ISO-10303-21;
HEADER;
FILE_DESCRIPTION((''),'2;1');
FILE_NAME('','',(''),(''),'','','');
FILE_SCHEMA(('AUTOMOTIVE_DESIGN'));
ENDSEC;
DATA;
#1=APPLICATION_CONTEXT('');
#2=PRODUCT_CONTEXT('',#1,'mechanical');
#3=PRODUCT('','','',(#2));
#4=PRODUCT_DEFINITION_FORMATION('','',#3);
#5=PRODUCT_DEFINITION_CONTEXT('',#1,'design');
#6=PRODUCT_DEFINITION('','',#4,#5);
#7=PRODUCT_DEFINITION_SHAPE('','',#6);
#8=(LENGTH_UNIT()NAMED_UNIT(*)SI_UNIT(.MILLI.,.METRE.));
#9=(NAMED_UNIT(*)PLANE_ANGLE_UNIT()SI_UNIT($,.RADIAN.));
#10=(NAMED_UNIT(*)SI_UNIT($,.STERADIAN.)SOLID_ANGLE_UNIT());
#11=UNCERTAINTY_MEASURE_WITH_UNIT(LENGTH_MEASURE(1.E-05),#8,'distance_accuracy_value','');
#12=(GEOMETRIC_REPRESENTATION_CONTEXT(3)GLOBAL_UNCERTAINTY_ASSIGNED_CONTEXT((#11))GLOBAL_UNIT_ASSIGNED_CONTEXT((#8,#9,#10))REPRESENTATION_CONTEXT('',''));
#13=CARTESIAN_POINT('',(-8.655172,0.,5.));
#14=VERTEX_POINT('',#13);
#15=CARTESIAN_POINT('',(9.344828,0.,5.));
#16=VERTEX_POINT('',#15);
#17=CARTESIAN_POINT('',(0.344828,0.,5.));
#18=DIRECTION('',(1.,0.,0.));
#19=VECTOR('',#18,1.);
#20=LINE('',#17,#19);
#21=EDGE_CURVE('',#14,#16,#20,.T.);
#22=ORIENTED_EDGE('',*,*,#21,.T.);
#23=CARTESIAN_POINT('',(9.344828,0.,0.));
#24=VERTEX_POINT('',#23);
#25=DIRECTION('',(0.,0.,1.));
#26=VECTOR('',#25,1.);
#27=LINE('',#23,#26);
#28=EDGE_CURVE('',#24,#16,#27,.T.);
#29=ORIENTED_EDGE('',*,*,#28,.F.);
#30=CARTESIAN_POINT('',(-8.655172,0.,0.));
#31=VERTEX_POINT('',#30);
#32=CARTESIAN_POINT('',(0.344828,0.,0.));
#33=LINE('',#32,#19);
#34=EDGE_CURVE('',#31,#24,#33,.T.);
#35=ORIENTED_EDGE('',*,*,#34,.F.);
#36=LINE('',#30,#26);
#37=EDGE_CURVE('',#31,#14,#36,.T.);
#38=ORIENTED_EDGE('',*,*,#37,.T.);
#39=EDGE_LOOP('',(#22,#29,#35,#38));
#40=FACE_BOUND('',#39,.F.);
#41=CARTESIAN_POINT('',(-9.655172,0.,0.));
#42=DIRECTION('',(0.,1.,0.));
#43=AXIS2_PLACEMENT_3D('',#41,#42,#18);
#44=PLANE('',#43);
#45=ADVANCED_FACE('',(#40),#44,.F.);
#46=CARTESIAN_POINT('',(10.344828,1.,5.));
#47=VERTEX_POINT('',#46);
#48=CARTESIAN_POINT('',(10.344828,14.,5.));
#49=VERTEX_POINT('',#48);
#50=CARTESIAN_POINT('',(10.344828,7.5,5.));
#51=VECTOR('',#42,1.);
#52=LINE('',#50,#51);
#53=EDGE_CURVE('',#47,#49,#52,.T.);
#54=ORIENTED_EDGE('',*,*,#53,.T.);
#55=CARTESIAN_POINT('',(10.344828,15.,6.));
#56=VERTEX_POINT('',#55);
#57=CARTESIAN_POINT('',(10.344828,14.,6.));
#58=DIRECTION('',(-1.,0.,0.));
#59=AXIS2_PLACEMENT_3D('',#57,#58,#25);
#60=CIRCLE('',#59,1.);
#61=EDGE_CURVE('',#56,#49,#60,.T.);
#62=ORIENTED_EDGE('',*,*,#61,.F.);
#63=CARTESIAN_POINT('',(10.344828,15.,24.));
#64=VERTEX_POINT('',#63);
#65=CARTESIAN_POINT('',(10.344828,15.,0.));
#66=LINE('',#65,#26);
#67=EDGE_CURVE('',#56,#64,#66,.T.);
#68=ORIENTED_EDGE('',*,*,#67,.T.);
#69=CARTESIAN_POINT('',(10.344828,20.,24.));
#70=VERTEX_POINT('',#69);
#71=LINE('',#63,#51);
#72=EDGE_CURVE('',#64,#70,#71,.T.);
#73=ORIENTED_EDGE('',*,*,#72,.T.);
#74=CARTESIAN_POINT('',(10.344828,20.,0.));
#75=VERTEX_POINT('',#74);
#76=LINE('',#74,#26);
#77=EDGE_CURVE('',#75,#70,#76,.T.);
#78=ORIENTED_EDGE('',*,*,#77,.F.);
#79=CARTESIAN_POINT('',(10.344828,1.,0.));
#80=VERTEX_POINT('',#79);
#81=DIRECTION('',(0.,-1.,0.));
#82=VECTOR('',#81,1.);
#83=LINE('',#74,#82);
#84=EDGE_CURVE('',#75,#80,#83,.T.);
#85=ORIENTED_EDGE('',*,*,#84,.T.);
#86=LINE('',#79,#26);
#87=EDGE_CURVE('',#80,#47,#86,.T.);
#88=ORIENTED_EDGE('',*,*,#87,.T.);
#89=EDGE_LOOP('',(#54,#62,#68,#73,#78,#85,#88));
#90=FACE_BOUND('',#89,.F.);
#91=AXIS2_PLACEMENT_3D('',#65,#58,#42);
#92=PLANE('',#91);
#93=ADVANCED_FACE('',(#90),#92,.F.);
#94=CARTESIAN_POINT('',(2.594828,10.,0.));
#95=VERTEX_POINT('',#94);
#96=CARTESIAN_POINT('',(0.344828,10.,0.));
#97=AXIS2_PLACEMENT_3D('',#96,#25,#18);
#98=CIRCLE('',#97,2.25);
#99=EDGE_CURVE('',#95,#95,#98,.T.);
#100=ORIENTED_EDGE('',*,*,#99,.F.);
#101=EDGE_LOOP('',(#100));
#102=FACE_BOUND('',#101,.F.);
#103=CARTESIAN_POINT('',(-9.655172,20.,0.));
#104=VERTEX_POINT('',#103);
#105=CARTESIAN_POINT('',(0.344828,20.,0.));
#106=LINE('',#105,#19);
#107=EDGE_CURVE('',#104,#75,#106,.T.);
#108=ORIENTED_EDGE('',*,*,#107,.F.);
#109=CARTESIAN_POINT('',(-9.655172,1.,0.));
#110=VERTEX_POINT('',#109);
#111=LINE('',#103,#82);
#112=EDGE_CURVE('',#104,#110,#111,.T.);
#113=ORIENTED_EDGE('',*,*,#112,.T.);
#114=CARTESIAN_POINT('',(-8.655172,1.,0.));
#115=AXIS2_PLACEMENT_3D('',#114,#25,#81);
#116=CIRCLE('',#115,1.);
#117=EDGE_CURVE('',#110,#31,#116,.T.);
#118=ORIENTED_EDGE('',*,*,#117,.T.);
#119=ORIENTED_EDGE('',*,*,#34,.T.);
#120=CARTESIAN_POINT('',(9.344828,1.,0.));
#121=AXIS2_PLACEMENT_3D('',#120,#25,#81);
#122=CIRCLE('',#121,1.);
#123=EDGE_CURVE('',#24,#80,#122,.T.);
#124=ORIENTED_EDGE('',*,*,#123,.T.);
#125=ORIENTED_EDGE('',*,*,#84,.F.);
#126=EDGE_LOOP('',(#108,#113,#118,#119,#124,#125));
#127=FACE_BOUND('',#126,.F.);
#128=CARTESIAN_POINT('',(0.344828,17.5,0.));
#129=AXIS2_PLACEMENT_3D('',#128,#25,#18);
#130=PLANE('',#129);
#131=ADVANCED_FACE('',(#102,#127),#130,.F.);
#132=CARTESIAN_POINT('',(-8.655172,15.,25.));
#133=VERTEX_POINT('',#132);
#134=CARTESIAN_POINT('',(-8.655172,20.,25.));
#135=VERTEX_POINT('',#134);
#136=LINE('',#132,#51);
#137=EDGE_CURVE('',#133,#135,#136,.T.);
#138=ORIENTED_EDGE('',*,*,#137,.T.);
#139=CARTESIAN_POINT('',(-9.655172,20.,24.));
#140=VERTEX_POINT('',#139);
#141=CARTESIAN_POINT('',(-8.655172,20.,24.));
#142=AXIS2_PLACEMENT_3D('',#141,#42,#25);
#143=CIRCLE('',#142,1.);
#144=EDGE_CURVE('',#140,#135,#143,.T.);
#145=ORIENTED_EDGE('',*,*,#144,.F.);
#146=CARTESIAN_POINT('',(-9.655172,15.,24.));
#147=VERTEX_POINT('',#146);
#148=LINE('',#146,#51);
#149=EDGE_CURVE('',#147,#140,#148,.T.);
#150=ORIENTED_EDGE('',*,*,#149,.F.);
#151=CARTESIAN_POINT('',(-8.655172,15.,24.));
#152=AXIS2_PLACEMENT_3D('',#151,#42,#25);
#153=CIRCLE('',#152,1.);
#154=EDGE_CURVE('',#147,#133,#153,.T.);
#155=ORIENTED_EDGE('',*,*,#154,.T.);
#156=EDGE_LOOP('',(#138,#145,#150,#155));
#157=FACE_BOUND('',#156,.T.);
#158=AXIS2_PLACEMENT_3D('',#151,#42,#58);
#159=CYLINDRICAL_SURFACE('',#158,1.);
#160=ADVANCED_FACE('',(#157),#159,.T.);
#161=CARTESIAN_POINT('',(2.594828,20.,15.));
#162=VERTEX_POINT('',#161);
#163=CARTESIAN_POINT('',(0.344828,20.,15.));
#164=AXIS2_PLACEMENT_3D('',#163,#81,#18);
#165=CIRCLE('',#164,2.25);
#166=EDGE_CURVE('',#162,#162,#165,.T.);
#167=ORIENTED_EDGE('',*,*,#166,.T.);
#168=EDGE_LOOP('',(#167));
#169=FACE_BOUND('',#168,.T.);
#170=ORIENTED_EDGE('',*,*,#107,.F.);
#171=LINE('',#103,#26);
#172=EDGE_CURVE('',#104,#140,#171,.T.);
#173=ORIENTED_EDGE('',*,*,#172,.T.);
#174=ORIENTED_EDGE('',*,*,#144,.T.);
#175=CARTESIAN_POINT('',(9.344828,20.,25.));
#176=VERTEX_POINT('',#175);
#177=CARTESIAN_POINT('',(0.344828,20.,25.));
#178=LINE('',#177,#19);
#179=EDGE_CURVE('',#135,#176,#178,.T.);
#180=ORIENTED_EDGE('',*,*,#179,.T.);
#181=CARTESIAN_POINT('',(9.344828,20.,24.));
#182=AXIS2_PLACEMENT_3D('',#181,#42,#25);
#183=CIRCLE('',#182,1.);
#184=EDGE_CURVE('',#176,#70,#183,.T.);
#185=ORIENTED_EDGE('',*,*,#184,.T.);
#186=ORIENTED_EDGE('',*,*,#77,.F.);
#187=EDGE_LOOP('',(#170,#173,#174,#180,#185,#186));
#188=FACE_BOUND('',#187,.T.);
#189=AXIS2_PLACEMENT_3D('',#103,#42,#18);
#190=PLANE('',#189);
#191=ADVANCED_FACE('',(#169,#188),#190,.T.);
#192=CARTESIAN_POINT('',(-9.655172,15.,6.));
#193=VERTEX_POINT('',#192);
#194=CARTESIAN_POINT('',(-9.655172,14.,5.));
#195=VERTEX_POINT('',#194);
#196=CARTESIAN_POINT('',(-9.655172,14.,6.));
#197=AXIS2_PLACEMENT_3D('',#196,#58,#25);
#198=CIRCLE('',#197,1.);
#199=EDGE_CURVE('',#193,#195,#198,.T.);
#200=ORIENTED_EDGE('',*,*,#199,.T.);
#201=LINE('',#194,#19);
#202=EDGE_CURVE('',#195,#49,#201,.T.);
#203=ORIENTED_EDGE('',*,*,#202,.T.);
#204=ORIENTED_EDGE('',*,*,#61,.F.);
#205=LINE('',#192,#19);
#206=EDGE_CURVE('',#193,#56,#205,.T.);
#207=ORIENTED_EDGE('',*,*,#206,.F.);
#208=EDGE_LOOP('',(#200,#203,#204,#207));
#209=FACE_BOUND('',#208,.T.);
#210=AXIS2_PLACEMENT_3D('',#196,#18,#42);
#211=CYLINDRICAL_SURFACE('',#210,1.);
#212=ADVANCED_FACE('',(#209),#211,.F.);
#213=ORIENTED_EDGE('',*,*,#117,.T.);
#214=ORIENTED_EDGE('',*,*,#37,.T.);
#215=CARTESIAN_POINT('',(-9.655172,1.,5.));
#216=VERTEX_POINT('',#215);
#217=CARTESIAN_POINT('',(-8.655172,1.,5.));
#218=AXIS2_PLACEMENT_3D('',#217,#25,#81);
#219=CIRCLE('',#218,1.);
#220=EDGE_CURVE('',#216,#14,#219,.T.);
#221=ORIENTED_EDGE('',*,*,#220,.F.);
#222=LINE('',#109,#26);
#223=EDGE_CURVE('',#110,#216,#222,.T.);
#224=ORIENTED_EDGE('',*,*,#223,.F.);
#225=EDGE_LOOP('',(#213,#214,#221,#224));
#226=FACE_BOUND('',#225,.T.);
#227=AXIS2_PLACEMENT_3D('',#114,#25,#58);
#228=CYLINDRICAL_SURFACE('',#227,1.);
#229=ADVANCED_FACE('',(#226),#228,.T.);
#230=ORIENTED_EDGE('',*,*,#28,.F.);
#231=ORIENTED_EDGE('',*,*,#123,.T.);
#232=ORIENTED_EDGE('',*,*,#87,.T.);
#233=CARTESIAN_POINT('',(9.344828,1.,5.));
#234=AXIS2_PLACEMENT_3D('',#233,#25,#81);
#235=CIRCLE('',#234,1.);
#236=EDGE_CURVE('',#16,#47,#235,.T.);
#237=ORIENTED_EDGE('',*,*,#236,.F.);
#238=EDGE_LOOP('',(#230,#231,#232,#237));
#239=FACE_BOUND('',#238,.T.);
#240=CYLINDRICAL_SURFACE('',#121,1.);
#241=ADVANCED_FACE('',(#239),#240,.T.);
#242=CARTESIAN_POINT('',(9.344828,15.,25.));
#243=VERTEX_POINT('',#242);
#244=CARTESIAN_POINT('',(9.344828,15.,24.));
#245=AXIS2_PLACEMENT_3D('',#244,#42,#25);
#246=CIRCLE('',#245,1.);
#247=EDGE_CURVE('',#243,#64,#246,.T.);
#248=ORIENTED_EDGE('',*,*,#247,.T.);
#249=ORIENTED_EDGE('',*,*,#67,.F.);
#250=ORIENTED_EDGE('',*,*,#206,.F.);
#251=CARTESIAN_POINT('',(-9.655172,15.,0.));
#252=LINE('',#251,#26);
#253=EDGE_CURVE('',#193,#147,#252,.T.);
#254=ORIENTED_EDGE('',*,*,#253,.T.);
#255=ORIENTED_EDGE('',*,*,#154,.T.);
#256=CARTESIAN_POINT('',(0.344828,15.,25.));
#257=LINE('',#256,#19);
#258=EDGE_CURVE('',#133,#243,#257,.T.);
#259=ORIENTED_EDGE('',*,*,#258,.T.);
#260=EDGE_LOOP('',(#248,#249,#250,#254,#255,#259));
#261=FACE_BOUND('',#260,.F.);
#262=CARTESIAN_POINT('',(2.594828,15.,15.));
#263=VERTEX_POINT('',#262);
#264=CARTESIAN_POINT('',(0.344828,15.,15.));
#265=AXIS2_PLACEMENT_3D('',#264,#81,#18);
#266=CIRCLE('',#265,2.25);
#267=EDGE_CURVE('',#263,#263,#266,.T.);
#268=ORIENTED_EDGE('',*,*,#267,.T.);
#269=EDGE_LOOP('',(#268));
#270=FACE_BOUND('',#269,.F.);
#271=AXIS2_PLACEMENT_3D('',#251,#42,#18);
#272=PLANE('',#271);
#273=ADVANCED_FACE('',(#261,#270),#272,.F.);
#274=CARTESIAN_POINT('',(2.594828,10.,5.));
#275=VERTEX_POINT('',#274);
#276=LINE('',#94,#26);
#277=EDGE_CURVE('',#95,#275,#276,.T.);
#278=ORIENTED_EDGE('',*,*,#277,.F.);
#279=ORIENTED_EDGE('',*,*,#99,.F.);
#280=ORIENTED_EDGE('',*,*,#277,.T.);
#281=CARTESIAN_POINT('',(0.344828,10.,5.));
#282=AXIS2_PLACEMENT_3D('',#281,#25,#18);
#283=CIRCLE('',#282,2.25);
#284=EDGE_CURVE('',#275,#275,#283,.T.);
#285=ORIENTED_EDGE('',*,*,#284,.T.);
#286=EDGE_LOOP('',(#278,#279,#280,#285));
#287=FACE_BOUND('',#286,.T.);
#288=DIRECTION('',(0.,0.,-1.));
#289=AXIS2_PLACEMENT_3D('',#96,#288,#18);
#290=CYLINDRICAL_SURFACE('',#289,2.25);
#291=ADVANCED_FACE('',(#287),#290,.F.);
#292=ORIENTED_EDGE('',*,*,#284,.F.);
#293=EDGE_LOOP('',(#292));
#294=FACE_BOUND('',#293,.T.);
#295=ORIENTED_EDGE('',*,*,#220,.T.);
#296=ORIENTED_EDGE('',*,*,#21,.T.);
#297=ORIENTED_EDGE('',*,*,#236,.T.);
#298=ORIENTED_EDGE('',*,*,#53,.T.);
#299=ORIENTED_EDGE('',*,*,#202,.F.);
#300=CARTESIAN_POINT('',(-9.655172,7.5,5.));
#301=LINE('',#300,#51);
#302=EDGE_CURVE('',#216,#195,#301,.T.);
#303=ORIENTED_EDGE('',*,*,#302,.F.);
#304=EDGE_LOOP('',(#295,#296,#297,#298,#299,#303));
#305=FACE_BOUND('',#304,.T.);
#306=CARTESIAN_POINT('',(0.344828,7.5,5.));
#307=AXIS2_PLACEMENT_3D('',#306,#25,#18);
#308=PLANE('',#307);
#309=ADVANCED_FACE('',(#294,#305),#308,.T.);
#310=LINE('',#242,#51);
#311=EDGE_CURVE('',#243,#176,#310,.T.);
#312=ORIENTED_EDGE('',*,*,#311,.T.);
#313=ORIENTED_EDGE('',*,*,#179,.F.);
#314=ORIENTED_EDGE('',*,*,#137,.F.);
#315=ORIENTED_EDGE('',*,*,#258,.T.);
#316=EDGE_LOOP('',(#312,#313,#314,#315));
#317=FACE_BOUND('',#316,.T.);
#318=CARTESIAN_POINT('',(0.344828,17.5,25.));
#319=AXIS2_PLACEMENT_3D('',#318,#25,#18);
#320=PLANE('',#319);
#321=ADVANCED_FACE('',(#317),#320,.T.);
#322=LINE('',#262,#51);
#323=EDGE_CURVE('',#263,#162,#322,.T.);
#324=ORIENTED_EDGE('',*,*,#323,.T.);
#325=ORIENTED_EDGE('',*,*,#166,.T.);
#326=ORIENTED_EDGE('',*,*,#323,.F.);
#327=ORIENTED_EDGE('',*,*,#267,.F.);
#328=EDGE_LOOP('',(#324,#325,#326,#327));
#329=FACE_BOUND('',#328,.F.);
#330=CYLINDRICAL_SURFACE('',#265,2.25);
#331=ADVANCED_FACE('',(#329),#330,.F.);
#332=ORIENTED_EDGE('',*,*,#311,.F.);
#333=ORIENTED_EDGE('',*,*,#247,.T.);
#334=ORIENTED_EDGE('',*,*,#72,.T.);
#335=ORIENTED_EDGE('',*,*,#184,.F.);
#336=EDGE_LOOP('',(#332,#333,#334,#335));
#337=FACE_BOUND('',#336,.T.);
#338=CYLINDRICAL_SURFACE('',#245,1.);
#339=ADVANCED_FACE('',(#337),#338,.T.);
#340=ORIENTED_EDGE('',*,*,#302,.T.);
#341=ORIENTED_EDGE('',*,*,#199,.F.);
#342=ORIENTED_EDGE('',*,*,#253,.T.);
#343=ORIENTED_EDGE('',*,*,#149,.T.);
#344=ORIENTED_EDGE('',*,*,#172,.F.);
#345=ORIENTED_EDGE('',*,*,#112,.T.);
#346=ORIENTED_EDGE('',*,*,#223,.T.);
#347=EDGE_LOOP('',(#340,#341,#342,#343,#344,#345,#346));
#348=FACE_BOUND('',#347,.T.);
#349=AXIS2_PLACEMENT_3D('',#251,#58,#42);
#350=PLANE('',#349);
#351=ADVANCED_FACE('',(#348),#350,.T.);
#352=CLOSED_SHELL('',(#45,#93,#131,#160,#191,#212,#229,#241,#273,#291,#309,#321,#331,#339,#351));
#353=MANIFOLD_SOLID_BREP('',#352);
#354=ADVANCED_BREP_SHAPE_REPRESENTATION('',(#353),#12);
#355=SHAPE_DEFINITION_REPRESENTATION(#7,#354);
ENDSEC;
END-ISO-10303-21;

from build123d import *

# Parameters (mm, degrees)
F0_W     = 20
F0_H     = 15
F0_R     = 2.25
F1_DEPTH = 5
F0_H_2   = 5
F2_DEPTH = 25
F3_R     = 2.25
F4_DEPTH = 25
F5_R     = 1


with BuildPart() as f1:
    # F0 (on Top) → F1 (new body)
    with BuildSketch(Plane.XY):
        with Locations((0.344828, 7.5)):
            Rectangle(F0_W, F0_H)
        with Locations((0.344828, 10)):
            Circle(F0_R, mode=Mode.SUBTRACT)
    extrude(amount=F1_DEPTH)

    # F0 (on Top) → F2 (join)
    with BuildSketch(Plane.XY):
        with Locations((0.344828, 17.5)):
            Rectangle(F0_W, F0_H_2)
    extrude(amount=F2_DEPTH)

    # F3 (on face) → F4 (cut)
    with BuildSketch(Plane.XZ.offset(-15)):
        with Locations((0.344828, 15)):
            Circle(F3_R)
    extrude(amount=-F4_DEPTH, mode=Mode.SUBTRACT)

    # F5
    f5_edges = [f1.edges().sort_by_distance(p)[0] for p in [
        (-9.655172, 17.5, 25),
        (10.344828, 17.5, 25),
        (-9.655172, 0, 2.5),
        (10.344828, 0, 2.5),
        (0.344828, 15, 5),
    ]]
    fillet(f5_edges, radius=F5_R)


solid = f1.part
